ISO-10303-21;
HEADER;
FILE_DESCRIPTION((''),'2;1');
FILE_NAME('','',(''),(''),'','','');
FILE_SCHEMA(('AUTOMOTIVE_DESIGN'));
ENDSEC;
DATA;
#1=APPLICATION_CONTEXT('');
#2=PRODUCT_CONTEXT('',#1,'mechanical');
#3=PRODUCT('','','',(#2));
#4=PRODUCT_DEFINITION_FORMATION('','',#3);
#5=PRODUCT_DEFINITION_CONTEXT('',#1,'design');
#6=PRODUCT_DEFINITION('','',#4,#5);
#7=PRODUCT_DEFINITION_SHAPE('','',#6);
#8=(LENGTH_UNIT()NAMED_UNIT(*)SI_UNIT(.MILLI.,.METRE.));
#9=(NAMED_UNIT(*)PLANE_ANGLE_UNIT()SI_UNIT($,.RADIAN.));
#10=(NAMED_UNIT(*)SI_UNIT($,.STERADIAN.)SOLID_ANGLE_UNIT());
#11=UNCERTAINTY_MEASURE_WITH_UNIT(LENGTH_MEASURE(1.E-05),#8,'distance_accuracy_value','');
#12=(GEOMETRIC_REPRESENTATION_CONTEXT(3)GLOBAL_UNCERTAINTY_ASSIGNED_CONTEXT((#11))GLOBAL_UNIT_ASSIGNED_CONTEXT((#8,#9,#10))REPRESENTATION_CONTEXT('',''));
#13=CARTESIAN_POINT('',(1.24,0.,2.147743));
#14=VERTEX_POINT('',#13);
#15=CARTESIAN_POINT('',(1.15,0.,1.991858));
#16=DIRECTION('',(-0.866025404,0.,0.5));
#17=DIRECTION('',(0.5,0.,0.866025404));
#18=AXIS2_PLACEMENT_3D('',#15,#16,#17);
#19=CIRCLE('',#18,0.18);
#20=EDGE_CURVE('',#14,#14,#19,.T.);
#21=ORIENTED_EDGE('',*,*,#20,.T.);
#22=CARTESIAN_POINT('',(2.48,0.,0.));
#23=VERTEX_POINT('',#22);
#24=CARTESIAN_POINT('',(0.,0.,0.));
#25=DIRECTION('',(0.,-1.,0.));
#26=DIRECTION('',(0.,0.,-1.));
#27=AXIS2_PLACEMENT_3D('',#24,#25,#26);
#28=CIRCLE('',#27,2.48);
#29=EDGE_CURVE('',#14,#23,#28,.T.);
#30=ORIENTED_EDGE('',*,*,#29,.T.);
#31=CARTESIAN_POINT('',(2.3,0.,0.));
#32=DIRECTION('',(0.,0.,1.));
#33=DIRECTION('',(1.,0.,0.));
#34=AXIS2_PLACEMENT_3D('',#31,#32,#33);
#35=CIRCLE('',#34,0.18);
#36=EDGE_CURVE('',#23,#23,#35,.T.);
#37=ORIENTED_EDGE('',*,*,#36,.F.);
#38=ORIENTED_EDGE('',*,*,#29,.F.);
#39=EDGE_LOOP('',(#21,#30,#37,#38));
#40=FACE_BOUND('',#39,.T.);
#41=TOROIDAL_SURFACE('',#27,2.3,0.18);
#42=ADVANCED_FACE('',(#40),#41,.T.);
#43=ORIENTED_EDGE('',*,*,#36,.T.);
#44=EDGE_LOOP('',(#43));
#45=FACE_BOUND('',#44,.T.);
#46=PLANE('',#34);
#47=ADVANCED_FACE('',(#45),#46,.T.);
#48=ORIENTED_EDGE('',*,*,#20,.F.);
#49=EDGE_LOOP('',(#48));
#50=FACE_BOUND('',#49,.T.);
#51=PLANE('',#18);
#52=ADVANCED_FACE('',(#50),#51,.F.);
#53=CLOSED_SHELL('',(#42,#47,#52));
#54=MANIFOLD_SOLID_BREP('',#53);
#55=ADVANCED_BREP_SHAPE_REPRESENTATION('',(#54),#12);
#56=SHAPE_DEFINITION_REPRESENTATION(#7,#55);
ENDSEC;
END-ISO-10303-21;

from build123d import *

# Parameters (mm, degrees)
RECONSTRUCTED_NOMINAL_AXIAL_PROFILE_R = 0.18
NATIVE_REVOLVED_GEOMETRY_ANGLE        = 300


with BuildPart() as part:
    # Reconstructed nominal axial profile → Native revolved geometry (revolve)
    with BuildSketch(Plane.XY):
        with Locations((2.3, 0)):
            Circle(RECONSTRUCTED_NOMINAL_AXIAL_PROFILE_R)
    revolve(axis=Axis((0, -500, 0), (0, 1, 0)), revolution_arc=NATIVE_REVOLVED_GEOMETRY_ANGLE)


solid = part.part
